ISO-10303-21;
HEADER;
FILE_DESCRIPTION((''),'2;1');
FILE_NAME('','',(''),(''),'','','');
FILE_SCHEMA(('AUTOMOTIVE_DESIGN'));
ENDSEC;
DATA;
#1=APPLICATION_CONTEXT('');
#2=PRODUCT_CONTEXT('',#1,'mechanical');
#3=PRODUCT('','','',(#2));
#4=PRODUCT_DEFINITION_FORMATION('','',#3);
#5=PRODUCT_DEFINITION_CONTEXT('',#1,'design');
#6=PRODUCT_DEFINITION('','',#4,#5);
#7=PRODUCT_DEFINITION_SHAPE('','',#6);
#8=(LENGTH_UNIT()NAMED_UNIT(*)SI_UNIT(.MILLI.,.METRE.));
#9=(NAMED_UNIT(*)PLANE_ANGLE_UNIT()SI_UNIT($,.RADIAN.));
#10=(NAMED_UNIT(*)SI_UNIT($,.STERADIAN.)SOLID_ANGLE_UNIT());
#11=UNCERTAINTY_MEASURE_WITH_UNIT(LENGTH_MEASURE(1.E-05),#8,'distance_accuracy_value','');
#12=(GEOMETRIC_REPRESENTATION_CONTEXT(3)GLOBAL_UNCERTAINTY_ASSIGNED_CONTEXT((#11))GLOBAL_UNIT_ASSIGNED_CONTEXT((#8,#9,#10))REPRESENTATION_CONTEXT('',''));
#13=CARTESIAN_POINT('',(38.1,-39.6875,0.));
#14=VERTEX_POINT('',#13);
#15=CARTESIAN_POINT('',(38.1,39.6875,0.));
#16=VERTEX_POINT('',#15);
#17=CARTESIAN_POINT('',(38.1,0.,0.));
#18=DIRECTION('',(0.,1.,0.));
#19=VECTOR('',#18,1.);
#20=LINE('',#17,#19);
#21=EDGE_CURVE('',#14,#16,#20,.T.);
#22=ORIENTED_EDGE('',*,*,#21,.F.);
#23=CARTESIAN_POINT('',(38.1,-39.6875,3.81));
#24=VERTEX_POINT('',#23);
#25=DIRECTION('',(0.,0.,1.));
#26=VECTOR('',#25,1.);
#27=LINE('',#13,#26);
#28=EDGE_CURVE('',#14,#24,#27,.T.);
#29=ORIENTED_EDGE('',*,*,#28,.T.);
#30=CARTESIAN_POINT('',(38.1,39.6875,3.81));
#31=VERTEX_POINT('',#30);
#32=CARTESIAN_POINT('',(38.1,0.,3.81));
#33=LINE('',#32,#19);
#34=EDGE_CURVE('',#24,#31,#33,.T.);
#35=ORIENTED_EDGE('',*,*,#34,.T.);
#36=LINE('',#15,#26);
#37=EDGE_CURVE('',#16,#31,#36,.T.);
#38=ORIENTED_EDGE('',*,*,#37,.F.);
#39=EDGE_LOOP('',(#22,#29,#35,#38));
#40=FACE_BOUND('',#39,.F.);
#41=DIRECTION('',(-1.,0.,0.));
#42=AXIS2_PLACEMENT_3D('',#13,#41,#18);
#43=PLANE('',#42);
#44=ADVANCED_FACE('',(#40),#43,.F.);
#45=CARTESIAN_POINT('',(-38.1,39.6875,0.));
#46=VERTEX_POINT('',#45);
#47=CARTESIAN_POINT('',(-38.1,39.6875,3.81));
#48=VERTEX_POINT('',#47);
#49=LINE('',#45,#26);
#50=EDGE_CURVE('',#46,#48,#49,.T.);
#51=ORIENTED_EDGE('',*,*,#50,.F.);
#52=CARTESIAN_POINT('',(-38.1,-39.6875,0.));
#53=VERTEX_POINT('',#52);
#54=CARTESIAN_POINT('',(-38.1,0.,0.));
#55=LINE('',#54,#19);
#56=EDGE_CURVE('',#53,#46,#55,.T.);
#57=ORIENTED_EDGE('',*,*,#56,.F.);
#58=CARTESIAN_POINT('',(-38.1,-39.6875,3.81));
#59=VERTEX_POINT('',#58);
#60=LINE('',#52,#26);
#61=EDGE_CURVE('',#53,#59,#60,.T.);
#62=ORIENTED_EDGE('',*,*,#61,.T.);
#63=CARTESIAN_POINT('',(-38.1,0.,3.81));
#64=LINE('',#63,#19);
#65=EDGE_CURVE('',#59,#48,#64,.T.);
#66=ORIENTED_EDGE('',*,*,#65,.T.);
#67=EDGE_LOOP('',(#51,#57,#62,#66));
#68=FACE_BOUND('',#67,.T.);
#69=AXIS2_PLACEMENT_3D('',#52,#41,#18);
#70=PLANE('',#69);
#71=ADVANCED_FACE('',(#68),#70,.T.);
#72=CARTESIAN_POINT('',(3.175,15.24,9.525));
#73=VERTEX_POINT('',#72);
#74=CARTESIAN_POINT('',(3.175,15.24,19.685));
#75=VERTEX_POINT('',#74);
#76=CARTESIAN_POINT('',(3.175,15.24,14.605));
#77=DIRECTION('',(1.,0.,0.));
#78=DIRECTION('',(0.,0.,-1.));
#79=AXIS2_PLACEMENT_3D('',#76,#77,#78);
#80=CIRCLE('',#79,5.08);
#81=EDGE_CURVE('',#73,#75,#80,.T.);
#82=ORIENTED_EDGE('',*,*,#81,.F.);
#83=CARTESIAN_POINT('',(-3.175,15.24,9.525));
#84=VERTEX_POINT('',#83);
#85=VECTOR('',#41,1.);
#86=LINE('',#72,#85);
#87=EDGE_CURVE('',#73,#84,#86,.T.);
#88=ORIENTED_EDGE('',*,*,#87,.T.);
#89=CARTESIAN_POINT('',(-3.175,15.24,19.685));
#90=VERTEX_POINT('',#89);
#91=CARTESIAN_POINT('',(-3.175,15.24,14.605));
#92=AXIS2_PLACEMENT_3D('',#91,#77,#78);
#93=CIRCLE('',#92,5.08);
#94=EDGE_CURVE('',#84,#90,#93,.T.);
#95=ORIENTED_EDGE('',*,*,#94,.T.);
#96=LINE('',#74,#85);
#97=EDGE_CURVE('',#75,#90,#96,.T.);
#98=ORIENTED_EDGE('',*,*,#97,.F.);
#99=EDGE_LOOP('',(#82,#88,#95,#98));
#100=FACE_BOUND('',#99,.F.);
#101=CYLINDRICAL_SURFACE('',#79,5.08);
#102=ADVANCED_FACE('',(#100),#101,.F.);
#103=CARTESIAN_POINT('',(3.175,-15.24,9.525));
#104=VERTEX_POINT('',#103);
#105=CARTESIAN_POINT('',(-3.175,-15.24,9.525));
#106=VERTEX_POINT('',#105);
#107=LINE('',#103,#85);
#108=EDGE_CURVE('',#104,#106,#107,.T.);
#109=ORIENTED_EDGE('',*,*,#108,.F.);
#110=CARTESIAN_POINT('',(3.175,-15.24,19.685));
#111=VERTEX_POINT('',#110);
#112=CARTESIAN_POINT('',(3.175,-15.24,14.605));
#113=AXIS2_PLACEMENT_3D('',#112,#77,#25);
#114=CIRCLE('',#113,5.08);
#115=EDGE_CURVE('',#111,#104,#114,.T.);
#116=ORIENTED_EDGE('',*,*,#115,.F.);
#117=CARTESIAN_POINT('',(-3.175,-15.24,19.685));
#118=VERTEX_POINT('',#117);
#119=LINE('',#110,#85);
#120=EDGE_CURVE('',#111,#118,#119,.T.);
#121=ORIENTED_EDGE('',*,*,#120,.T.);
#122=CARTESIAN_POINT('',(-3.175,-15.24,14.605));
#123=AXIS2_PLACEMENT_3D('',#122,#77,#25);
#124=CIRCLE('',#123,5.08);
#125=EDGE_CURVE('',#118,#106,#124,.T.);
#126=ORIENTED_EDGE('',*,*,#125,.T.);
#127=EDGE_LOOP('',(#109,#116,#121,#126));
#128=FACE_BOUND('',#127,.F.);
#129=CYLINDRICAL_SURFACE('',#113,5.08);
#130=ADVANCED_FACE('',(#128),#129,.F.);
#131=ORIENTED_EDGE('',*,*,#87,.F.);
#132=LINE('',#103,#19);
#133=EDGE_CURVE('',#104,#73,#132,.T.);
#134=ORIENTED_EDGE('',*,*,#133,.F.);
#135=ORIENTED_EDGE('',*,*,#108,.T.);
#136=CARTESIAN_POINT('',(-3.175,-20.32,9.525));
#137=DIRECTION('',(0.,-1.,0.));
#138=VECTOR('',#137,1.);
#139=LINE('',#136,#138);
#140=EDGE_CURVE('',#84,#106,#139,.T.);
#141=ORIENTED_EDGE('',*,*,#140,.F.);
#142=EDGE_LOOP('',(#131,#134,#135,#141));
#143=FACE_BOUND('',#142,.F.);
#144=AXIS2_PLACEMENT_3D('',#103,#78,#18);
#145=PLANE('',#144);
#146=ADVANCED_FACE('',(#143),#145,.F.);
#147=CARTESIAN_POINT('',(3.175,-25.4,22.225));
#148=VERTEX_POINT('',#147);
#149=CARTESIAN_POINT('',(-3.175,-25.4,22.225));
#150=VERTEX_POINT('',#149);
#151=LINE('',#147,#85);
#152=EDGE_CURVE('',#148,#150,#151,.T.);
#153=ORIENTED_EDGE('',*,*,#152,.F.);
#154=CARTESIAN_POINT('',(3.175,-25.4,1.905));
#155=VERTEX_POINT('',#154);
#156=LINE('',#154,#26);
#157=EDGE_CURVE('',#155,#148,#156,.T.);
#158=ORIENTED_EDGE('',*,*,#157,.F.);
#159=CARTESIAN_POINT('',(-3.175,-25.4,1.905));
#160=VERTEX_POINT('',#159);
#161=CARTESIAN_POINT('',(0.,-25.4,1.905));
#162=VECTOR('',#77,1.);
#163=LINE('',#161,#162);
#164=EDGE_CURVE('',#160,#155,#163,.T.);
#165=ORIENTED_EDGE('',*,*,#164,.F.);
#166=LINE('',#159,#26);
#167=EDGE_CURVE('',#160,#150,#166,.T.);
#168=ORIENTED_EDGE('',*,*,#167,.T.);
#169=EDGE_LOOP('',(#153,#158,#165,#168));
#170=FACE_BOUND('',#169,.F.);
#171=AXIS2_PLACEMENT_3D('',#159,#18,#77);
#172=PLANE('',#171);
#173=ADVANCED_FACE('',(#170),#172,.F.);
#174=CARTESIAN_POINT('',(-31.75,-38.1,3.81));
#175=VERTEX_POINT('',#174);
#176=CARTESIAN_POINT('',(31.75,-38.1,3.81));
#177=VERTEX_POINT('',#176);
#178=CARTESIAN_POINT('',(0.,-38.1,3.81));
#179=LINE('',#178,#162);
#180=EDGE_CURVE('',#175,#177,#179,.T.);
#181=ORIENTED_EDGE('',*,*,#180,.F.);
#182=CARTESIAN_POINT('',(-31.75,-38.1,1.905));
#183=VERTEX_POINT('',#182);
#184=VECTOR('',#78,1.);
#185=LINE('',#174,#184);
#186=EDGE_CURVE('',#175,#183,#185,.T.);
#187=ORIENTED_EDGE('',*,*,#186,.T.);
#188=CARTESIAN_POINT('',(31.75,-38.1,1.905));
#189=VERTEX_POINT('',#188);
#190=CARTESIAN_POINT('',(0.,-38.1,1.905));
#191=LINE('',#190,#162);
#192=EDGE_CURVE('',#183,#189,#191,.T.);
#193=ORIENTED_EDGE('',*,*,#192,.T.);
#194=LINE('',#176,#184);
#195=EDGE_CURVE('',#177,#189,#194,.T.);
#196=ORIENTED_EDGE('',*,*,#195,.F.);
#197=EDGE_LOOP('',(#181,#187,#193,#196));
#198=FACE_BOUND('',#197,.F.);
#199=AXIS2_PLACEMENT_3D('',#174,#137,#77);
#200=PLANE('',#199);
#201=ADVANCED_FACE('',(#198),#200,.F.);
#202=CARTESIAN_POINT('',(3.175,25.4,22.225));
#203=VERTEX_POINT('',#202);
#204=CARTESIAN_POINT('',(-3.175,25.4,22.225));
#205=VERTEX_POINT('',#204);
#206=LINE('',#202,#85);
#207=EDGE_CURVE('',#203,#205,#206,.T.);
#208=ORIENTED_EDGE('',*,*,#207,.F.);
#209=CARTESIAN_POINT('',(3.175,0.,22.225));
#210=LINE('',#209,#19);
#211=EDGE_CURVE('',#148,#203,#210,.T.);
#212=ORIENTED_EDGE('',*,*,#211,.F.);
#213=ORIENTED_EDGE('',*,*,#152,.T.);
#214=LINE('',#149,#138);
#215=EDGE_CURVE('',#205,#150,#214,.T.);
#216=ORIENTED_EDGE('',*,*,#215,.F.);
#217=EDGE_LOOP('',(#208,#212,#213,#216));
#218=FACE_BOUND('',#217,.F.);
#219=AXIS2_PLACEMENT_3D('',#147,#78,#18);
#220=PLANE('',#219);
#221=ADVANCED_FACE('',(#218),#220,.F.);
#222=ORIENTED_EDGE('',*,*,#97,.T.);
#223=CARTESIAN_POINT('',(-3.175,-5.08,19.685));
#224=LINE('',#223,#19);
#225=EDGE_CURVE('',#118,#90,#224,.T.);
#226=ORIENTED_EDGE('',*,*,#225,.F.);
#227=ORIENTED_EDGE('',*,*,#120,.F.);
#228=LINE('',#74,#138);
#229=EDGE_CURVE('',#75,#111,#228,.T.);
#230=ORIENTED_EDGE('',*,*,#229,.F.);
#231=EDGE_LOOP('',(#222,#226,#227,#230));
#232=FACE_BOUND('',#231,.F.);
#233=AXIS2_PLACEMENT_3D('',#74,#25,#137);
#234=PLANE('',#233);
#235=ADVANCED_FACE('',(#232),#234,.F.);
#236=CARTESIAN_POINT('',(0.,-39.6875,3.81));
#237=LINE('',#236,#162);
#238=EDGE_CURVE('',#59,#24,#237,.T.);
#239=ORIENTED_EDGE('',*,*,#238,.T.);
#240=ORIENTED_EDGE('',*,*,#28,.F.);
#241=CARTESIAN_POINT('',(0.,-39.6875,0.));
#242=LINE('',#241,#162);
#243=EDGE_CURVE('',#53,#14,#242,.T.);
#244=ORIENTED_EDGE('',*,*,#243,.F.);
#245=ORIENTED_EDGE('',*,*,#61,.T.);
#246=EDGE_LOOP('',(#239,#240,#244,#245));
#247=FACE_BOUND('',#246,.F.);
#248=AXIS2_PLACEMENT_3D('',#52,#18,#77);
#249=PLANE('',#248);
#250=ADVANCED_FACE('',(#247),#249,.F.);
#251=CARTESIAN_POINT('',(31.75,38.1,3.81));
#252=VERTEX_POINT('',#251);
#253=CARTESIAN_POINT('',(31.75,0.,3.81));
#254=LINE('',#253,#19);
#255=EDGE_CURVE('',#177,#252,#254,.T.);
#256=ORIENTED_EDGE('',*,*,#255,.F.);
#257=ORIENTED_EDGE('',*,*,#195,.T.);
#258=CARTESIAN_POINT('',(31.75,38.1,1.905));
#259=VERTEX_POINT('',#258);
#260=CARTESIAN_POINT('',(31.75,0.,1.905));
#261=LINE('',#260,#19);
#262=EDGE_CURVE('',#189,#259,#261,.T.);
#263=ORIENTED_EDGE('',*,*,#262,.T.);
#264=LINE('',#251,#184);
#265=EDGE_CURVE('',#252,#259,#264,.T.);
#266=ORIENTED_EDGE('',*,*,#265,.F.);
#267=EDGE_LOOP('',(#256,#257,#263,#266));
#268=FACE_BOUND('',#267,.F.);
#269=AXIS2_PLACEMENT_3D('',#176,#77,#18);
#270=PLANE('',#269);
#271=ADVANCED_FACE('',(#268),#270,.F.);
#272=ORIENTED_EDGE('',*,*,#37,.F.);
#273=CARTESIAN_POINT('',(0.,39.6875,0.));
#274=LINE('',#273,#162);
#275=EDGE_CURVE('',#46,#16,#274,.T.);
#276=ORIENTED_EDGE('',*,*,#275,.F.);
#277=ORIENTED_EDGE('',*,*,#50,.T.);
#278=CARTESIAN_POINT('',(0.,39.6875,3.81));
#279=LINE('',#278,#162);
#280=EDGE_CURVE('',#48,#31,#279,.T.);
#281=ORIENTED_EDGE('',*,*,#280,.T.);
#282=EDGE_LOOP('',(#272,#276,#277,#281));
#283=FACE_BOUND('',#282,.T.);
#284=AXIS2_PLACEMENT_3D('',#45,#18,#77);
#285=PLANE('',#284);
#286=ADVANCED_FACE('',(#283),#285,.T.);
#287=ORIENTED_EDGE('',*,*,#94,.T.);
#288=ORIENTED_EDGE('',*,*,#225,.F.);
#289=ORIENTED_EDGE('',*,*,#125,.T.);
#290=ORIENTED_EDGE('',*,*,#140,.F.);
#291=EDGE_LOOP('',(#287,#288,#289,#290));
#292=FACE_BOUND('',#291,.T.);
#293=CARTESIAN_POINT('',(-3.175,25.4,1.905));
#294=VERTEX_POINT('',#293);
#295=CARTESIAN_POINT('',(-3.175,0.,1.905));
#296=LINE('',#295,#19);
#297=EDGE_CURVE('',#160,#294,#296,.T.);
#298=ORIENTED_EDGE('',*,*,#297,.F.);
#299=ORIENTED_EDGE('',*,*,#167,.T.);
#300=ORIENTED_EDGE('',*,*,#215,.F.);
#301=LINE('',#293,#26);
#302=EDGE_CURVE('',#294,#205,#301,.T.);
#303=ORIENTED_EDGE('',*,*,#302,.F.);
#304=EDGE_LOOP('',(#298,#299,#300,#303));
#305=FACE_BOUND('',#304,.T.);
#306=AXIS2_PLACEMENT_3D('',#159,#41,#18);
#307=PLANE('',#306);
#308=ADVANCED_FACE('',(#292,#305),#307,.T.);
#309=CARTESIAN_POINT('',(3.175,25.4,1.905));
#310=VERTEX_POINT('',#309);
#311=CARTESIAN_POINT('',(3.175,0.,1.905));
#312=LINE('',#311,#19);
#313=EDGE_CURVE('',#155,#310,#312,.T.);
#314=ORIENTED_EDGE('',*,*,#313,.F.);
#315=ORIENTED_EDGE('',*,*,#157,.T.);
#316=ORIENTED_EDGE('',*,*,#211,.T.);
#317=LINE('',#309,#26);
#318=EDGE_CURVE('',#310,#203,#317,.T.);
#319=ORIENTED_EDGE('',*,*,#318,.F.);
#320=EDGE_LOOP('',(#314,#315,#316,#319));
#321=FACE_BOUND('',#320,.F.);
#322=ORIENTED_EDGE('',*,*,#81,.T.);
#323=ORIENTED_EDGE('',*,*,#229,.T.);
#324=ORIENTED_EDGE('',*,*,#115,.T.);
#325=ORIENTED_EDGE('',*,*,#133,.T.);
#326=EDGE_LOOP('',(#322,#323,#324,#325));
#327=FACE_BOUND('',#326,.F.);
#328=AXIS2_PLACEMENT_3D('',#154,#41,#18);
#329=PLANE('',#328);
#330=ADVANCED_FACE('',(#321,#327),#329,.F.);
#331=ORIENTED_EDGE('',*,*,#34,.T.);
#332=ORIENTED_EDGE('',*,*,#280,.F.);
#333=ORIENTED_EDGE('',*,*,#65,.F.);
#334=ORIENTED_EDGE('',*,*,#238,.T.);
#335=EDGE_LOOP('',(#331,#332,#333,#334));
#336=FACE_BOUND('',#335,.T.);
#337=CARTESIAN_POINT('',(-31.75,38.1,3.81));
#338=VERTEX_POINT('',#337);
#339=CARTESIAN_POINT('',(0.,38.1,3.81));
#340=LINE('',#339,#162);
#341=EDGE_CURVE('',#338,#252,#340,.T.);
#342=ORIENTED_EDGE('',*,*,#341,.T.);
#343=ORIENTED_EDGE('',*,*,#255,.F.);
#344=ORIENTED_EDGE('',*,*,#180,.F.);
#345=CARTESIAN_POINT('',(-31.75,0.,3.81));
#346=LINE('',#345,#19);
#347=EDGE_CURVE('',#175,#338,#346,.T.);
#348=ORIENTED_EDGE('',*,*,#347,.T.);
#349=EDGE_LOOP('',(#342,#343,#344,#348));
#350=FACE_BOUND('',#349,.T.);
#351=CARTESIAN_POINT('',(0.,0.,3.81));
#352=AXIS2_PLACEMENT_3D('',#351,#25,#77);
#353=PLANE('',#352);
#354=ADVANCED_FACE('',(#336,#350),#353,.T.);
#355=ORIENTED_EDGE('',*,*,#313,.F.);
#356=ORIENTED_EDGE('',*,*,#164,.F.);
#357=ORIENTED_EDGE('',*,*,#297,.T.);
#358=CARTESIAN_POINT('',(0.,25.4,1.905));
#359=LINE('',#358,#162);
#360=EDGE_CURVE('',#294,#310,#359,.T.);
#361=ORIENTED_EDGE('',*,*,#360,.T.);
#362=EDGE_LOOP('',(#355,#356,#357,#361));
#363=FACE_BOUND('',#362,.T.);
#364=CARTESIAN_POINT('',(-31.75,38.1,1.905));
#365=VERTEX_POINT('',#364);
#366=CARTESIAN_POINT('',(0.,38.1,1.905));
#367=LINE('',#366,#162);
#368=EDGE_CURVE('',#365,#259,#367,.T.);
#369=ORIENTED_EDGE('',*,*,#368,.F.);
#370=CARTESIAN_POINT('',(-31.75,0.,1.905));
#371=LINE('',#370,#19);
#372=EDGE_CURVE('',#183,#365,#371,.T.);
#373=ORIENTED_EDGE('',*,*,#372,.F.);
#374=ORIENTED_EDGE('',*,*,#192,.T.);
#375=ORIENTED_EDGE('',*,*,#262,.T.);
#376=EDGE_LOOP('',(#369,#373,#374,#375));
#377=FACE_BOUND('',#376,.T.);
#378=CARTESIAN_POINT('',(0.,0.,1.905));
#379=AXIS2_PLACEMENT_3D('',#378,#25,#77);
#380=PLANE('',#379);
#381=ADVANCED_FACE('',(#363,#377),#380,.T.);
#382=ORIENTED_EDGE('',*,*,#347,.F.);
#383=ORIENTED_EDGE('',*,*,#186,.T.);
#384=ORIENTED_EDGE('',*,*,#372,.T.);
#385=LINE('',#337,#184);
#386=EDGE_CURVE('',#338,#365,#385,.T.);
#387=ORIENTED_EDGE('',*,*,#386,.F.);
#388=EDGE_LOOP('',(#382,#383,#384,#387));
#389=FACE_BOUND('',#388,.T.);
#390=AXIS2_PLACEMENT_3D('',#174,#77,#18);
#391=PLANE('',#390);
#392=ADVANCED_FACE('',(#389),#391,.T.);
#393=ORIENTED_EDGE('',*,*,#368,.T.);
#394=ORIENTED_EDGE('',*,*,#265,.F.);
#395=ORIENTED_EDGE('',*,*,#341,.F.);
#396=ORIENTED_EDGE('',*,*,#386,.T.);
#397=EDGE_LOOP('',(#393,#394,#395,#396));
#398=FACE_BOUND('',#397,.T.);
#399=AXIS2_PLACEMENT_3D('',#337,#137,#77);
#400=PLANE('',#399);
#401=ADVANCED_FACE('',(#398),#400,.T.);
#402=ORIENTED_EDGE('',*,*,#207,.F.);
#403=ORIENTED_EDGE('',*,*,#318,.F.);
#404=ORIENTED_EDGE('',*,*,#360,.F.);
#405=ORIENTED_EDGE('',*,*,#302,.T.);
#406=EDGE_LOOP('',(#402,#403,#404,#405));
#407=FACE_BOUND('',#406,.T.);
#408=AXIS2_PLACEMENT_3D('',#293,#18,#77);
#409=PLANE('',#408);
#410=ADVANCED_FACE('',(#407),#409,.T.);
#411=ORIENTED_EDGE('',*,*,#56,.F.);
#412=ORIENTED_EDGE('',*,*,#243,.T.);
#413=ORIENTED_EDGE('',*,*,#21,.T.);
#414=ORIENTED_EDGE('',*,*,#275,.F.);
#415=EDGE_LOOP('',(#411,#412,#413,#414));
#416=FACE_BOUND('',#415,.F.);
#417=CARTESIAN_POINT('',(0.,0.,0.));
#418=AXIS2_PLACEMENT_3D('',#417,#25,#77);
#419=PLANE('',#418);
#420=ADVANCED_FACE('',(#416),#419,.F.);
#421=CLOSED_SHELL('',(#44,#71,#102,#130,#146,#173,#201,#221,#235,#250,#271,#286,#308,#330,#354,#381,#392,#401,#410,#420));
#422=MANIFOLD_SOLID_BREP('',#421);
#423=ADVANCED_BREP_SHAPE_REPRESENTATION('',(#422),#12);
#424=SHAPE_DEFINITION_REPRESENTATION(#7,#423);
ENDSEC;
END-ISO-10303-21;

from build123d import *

# Parameters (mm, degrees)
F0_W     = 76.2
F0_H     = 79.375
F1_DEPTH = 3.81
F2_W     = 63.5
F2_H     = 76.2
F3_DEPTH = 1.905
F4_W     = 6.35
F4_H     = 50.8
F5_DEPTH = 25.4
F7_DEPTH = 25.4
F8_W     = 50.8
F8_H     = 5.08
F9_DEPTH = 25.4


with BuildPart() as f1:
    # F0 (on Top) → F1 (new body)
    with BuildSketch(Plane.XY):
        Rectangle(F0_W, F0_H)
    extrude(amount=F1_DEPTH)

    # F2 (on face) → F3 (cut)
    with BuildSketch(Plane.XY.offset(3.81)):
        Rectangle(F2_W, F2_H)
    extrude(amount=-F3_DEPTH, mode=Mode.SUBTRACT)

    # F4 (on face) → F5 (join)
    with BuildSketch(Plane.XY.offset(1.905)):
        Rectangle(F4_W, F4_H)
    extrude(amount=F5_DEPTH)

    # F6 (on face) → F7 (cut)
    with BuildSketch(Plane.YZ.offset(3.175)):
        with BuildLine():
            ThreePointArc((15.24, 9.525), (20.32, 14.605), (15.24, 19.685))
            Line((15.24, 19.685), (-15.24, 19.685))
            ThreePointArc((-15.24, 19.685), (-20.32, 14.605), (-15.24, 9.525))
            Line((-15.24, 9.525), (15.24, 9.525))
        make_face()
    extrude(amount=-F7_DEPTH, mode=Mode.SUBTRACT)

    # F8 (on face) → F9 (cut)
    with BuildSketch(Plane.YZ.offset(3.175)):
        with Locations((0, 24.765)):
            Rectangle(F8_W, F8_H)
    extrude(amount=-F9_DEPTH, mode=Mode.SUBTRACT)


solid = f1.part
